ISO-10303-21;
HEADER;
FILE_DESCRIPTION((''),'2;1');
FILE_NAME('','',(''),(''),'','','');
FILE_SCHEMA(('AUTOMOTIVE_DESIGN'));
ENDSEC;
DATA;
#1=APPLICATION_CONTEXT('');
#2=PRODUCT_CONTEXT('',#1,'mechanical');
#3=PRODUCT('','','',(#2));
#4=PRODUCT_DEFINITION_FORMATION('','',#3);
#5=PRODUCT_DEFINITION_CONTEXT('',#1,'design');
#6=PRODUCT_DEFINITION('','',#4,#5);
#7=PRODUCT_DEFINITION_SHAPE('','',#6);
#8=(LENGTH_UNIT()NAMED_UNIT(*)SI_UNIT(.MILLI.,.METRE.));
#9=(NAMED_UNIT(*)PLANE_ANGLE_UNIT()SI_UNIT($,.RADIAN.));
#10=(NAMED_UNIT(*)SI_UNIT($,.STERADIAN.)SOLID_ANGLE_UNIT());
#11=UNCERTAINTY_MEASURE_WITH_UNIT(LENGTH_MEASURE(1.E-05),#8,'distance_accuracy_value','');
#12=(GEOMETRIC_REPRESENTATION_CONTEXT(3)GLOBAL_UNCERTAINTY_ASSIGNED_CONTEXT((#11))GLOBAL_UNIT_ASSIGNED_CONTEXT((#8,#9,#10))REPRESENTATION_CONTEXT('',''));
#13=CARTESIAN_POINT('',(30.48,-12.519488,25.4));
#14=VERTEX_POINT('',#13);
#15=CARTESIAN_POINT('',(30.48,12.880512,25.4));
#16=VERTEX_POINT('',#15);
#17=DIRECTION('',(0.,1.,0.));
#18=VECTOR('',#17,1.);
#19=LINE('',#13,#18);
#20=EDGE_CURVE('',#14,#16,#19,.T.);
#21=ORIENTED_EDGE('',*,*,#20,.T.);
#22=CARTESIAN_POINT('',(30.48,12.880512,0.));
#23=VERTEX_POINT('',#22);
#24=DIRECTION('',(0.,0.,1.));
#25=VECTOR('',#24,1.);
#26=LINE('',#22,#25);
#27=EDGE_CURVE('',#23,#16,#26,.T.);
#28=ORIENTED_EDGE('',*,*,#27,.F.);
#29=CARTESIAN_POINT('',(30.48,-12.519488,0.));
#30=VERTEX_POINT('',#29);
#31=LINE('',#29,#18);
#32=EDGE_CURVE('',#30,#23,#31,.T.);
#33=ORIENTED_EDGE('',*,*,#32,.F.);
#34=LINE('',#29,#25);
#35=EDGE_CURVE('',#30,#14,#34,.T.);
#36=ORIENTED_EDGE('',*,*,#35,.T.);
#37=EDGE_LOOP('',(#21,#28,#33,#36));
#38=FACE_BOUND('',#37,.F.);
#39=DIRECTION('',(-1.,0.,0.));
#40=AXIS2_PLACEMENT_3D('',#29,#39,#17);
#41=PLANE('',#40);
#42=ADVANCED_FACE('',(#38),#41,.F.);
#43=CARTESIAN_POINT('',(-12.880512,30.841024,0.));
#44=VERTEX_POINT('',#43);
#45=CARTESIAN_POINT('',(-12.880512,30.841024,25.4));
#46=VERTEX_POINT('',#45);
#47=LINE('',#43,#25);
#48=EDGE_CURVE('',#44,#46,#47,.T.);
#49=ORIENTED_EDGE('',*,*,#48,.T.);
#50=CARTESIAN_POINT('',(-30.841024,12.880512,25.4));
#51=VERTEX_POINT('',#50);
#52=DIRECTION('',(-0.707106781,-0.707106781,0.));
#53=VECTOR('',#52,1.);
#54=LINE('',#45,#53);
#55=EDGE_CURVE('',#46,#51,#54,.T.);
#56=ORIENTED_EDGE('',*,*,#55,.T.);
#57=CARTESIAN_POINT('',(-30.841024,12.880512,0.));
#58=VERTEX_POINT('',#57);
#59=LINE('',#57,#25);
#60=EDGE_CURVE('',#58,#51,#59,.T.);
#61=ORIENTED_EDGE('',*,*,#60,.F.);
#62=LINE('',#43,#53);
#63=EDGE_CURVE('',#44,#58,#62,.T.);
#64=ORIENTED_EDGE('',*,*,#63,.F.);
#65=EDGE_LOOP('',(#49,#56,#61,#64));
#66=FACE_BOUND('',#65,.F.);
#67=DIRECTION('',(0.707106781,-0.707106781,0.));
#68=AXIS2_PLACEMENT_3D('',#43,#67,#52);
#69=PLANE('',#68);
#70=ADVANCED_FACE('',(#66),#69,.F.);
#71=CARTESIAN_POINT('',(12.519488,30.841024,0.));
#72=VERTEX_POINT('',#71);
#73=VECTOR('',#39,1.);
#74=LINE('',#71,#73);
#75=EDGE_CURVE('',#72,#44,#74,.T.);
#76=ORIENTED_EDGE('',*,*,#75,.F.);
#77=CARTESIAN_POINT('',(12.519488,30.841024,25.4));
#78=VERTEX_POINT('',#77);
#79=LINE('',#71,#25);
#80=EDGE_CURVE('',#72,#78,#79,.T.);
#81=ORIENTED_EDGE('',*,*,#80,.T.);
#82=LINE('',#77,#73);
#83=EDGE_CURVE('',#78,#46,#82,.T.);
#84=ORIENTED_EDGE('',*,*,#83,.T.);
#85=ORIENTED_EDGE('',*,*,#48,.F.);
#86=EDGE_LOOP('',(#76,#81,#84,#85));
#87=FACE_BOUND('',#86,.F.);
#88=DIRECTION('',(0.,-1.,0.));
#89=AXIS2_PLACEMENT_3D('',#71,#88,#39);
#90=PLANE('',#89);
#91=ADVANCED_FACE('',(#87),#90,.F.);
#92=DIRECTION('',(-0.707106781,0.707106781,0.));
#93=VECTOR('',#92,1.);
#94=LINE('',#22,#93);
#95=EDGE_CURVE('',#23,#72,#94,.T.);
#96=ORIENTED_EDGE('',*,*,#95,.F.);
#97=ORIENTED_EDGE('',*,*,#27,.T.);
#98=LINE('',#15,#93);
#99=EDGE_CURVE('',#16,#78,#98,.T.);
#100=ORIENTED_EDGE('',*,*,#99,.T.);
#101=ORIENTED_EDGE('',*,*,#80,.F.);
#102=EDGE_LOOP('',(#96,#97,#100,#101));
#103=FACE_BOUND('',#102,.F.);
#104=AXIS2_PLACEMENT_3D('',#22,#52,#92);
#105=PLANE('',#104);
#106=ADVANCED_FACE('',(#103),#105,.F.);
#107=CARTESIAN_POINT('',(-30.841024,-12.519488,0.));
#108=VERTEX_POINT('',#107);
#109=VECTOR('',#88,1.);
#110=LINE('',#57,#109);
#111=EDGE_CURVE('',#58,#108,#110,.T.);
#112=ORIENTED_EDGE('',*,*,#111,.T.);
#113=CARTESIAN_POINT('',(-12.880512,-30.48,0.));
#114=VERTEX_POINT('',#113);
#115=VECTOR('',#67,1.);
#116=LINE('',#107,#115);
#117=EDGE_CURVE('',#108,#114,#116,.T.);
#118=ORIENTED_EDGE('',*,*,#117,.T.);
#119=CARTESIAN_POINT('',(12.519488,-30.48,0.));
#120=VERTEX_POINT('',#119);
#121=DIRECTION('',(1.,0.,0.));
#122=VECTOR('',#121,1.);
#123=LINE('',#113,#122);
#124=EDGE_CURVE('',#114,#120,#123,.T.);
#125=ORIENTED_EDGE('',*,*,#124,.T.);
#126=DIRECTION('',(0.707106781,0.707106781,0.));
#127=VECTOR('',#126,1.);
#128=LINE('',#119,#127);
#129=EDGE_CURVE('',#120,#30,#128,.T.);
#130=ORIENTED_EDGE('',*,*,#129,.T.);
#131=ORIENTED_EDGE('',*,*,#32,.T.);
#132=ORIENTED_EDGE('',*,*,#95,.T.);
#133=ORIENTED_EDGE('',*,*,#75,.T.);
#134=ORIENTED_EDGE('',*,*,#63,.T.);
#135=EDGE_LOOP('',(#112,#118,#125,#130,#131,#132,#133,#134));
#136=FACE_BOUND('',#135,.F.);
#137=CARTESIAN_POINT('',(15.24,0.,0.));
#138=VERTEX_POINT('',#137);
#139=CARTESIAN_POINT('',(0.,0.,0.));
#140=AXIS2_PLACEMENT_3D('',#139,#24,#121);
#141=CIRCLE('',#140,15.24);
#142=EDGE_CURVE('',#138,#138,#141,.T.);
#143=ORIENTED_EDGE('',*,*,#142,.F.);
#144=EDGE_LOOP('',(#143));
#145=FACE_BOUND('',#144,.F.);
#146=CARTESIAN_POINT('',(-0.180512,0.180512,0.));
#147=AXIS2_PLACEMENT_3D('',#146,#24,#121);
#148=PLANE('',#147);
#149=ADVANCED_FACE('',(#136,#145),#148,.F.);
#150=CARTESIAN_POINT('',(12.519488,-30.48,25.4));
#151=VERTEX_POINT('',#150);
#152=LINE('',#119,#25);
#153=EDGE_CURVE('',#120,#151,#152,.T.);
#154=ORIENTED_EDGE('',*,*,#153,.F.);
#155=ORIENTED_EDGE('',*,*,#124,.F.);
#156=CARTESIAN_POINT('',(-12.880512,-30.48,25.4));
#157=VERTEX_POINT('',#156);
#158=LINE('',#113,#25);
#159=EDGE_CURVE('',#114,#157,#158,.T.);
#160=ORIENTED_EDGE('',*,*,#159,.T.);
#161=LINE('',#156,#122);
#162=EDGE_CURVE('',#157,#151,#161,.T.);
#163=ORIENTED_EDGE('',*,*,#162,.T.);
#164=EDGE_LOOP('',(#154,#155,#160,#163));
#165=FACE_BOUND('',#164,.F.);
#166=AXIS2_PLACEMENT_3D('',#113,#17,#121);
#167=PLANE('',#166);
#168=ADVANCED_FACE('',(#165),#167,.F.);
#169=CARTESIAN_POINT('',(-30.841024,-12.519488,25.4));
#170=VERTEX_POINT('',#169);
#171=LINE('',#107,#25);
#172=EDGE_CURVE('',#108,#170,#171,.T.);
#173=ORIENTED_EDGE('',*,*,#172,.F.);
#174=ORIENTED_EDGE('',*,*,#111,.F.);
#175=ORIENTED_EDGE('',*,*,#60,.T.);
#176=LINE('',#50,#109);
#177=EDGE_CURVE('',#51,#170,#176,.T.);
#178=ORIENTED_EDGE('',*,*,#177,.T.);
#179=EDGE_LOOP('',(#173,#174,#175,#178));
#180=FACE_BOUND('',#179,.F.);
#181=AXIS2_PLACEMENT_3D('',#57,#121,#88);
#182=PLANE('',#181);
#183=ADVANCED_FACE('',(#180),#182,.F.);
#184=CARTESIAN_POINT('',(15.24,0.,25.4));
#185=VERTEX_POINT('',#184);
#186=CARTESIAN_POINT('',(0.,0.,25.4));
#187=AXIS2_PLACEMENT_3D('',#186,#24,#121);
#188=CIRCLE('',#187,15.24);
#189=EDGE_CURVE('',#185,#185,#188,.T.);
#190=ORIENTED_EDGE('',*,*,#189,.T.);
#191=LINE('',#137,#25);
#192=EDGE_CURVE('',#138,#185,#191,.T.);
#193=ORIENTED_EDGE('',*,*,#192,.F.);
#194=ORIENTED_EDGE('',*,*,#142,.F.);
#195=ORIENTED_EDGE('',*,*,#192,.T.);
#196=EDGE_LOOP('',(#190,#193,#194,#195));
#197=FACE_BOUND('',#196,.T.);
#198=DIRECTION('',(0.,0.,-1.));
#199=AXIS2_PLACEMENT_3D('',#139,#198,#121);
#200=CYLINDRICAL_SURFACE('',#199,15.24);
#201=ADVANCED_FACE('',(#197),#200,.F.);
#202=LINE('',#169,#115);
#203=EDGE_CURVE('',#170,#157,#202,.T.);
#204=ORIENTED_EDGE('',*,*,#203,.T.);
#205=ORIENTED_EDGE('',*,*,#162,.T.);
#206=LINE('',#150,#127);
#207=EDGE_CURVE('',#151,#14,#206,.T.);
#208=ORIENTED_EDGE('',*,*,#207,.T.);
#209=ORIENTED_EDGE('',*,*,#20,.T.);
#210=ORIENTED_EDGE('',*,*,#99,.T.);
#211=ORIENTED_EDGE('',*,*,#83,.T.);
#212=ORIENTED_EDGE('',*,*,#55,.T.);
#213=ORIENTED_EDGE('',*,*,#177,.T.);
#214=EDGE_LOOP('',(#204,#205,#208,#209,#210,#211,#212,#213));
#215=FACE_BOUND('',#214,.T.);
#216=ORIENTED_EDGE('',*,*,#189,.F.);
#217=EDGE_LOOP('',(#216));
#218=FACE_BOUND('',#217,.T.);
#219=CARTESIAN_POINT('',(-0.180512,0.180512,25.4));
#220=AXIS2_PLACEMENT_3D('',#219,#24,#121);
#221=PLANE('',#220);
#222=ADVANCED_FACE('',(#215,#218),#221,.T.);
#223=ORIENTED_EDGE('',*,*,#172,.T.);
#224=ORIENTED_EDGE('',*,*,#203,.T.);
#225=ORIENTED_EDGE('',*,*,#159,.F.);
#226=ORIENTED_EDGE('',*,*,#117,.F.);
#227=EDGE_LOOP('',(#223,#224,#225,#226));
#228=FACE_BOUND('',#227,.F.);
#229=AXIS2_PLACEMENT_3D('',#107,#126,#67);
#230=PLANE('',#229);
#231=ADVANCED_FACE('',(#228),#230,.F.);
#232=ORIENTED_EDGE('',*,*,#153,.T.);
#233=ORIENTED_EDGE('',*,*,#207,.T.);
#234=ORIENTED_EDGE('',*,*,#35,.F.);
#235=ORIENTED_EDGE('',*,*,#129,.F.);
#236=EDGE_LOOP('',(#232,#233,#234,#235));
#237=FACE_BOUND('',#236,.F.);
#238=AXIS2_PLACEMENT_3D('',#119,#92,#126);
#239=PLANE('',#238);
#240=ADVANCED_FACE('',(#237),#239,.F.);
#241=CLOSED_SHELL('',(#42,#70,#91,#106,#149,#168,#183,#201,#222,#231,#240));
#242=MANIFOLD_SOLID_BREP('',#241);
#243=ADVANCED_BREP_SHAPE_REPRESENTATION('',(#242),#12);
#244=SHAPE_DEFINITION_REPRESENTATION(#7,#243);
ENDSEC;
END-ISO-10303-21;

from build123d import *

# Parameters (mm, degrees)
F0_R     = 15.24
F1_DEPTH = 25.4


with BuildPart() as f1:
    # F0 (on Top) → F1 (new body)
    with BuildSketch(Plane.XY):
        Polygon((12.519488, 30.841024), (-12.880512, 30.841024), (-30.841024, 12.880512), (-30.841024, -12.519488), (-12.880512, -30.48), (12.519488, -30.48), (30.48, -12.519488), (30.48, 12.880512), align=None)
        Circle(F0_R, mode=Mode.SUBTRACT)
    extrude(amount=F1_DEPTH)


solid = f1.part
